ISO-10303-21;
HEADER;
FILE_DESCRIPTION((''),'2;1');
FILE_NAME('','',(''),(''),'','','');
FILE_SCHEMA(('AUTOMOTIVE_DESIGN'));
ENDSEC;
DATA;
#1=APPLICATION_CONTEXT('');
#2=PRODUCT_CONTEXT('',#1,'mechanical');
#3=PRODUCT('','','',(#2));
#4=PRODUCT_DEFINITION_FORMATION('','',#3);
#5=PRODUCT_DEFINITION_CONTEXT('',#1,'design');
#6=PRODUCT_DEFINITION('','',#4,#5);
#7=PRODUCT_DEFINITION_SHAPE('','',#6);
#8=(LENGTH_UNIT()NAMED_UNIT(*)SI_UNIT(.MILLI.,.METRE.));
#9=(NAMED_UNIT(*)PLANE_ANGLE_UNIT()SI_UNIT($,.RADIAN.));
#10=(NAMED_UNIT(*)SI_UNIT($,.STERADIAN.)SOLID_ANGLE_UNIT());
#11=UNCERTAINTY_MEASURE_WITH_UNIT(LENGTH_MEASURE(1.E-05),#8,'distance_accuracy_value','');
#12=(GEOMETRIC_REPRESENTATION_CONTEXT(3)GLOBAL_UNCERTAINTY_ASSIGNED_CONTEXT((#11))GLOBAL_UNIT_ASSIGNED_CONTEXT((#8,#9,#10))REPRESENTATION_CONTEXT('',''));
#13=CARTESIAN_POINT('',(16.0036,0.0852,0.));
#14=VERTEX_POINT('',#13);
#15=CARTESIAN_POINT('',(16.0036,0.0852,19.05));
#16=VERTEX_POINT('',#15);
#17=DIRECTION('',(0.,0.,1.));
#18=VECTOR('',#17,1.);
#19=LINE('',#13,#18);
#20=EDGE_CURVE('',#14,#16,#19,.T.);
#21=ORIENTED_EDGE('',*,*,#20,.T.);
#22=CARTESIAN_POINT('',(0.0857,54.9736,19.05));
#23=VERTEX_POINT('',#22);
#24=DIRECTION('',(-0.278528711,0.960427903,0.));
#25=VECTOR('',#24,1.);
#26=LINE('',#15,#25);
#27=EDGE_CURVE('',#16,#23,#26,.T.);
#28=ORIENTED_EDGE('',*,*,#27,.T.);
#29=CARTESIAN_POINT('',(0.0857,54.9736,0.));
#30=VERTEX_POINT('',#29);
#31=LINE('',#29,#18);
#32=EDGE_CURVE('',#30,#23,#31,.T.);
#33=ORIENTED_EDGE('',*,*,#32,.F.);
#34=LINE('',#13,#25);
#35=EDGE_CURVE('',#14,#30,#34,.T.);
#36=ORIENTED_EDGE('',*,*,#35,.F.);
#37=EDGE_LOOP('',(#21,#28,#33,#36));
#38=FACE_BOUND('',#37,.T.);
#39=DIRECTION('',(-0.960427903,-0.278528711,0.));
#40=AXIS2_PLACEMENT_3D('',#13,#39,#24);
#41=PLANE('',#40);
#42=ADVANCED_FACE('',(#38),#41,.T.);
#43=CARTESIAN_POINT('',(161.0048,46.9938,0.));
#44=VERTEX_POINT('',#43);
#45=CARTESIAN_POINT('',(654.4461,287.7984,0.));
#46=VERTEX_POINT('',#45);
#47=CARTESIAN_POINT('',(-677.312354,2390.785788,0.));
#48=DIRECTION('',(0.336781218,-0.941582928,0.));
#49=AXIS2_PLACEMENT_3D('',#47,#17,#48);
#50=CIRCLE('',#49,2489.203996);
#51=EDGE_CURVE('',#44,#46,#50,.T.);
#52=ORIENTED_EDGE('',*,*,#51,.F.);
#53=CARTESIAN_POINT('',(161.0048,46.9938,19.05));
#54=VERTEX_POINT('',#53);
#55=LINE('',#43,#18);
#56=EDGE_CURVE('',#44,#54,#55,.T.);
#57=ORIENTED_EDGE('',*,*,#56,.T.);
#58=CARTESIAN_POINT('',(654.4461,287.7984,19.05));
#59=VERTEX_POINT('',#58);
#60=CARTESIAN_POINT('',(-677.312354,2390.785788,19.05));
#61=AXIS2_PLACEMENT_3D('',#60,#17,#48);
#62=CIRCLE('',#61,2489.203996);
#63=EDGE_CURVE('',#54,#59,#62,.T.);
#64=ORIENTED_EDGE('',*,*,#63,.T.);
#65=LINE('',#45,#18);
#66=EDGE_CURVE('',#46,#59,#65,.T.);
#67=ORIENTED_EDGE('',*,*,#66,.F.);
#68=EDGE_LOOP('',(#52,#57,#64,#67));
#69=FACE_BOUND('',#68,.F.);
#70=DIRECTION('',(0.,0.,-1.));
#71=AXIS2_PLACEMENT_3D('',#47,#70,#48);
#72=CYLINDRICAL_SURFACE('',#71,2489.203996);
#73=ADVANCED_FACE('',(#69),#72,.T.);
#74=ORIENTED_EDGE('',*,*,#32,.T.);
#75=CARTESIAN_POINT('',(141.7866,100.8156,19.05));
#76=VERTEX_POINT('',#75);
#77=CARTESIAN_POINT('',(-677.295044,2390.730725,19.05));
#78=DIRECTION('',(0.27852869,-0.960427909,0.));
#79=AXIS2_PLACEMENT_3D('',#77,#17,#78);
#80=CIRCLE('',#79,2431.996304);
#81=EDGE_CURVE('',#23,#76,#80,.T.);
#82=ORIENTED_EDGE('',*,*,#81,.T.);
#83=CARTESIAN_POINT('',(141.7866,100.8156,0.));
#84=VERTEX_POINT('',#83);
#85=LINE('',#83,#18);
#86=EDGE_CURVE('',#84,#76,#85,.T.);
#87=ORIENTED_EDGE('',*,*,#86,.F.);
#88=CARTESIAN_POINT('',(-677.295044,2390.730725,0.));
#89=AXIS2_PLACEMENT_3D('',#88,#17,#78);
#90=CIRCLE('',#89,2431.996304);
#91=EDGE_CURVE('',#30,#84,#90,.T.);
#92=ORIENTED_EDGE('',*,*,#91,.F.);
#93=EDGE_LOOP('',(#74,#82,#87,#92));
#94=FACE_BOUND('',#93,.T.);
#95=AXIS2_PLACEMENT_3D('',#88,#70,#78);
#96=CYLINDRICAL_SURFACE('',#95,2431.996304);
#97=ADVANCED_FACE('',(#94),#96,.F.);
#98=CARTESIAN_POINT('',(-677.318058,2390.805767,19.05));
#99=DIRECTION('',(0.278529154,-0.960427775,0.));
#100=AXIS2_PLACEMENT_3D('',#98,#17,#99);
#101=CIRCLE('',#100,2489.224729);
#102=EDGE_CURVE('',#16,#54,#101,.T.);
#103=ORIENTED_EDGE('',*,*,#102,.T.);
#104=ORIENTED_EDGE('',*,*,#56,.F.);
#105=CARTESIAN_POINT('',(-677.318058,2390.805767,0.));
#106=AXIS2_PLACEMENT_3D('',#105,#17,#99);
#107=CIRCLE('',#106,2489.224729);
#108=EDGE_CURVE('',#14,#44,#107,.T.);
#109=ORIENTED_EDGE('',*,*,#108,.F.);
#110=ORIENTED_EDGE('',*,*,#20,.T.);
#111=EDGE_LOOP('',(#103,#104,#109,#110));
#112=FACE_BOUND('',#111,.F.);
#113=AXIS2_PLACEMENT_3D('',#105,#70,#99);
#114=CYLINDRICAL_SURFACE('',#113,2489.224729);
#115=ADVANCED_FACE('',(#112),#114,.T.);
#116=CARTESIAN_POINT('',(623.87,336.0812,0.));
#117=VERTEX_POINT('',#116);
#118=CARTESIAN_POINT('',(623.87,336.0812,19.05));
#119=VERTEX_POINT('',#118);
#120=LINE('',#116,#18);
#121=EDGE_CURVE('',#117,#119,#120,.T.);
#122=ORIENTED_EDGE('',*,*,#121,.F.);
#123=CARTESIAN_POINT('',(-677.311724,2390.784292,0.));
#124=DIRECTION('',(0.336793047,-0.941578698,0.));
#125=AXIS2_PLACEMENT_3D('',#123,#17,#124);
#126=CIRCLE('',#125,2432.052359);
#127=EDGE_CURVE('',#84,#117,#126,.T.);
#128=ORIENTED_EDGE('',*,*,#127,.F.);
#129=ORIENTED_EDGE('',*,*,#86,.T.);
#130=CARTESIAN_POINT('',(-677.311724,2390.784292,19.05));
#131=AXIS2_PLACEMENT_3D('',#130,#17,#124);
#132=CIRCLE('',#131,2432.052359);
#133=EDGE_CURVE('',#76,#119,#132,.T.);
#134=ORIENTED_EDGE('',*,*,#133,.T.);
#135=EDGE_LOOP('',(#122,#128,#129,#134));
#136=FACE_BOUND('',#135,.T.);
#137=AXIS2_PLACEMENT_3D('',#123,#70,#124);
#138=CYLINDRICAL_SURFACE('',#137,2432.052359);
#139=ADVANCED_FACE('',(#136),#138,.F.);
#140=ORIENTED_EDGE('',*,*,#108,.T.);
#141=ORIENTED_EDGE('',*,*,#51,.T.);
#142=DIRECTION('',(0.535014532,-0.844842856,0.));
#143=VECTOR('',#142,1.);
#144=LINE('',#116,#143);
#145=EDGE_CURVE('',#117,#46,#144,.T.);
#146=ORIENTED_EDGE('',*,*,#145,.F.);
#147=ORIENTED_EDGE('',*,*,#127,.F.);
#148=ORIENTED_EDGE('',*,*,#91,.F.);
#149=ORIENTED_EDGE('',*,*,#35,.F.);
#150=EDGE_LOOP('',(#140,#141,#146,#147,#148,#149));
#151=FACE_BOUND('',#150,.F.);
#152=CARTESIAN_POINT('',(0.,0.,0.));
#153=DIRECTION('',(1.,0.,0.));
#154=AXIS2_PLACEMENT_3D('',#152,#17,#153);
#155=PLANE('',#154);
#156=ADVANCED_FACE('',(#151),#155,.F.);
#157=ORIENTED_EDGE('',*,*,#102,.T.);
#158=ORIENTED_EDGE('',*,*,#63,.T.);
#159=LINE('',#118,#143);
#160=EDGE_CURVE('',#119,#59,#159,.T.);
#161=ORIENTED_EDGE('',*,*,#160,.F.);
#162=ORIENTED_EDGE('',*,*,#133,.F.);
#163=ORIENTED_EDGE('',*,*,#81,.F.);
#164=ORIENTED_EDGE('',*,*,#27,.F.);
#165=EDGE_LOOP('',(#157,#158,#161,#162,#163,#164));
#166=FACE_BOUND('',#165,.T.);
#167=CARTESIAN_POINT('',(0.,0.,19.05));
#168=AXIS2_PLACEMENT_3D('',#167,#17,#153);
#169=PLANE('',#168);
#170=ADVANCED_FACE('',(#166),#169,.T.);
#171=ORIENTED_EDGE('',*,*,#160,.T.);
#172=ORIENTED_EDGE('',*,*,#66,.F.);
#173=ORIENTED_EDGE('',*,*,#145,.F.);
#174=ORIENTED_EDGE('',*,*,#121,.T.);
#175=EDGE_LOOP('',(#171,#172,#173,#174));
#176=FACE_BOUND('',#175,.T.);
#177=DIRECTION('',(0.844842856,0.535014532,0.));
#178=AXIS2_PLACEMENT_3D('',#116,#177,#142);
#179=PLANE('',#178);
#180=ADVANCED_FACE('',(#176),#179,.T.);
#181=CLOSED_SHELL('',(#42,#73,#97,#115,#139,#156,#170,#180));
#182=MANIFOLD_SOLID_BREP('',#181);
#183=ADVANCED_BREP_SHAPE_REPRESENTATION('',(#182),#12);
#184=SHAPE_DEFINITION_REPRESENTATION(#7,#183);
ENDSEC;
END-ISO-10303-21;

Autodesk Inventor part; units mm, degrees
ref_plane "YZ Plane" through (0, 0, 0) normal (1, 0, 0) x (0, 1, 0)
ref_plane "XZ Plane" through (0, 0, 0) normal (0, 1, 0) x (-1, 0, 0)
ref_plane "XY Plane" through (0, 0, 0) normal (0, 0, 1) x (1, 0, 0)
sketch "Sketch1" plane through (0, 0, 0) normal (0, 0, 1) x (1, 0, 0)
  line L0 (623.87, 336.0812) -> (654.4461, 287.7984)
  arc A0 (161.0048, 46.9938) -> (654.4461, 287.7984) centre (-677.3108, 2390.7821) ccw
  arc A1 (16.0036, 0.0852) -> (161.0048, 46.9938) centre (-677.3108, 2390.7821) ccw
  line L1 (16.0036, 0.0852) -> (0.0857, 54.9736)
  arc A2 (0.0857, 54.9736) -> (141.7866, 100.8156) centre (-677.3108, 2390.7821) ccw
  arc A3 (141.7866, 100.8156) -> (623.87, 336.0812) centre (-677.3108, 2390.7821) ccw
extrude "Extrusion1" add sketch "Sketch1" along normal blind 19.05
properties part number "nd-7"
